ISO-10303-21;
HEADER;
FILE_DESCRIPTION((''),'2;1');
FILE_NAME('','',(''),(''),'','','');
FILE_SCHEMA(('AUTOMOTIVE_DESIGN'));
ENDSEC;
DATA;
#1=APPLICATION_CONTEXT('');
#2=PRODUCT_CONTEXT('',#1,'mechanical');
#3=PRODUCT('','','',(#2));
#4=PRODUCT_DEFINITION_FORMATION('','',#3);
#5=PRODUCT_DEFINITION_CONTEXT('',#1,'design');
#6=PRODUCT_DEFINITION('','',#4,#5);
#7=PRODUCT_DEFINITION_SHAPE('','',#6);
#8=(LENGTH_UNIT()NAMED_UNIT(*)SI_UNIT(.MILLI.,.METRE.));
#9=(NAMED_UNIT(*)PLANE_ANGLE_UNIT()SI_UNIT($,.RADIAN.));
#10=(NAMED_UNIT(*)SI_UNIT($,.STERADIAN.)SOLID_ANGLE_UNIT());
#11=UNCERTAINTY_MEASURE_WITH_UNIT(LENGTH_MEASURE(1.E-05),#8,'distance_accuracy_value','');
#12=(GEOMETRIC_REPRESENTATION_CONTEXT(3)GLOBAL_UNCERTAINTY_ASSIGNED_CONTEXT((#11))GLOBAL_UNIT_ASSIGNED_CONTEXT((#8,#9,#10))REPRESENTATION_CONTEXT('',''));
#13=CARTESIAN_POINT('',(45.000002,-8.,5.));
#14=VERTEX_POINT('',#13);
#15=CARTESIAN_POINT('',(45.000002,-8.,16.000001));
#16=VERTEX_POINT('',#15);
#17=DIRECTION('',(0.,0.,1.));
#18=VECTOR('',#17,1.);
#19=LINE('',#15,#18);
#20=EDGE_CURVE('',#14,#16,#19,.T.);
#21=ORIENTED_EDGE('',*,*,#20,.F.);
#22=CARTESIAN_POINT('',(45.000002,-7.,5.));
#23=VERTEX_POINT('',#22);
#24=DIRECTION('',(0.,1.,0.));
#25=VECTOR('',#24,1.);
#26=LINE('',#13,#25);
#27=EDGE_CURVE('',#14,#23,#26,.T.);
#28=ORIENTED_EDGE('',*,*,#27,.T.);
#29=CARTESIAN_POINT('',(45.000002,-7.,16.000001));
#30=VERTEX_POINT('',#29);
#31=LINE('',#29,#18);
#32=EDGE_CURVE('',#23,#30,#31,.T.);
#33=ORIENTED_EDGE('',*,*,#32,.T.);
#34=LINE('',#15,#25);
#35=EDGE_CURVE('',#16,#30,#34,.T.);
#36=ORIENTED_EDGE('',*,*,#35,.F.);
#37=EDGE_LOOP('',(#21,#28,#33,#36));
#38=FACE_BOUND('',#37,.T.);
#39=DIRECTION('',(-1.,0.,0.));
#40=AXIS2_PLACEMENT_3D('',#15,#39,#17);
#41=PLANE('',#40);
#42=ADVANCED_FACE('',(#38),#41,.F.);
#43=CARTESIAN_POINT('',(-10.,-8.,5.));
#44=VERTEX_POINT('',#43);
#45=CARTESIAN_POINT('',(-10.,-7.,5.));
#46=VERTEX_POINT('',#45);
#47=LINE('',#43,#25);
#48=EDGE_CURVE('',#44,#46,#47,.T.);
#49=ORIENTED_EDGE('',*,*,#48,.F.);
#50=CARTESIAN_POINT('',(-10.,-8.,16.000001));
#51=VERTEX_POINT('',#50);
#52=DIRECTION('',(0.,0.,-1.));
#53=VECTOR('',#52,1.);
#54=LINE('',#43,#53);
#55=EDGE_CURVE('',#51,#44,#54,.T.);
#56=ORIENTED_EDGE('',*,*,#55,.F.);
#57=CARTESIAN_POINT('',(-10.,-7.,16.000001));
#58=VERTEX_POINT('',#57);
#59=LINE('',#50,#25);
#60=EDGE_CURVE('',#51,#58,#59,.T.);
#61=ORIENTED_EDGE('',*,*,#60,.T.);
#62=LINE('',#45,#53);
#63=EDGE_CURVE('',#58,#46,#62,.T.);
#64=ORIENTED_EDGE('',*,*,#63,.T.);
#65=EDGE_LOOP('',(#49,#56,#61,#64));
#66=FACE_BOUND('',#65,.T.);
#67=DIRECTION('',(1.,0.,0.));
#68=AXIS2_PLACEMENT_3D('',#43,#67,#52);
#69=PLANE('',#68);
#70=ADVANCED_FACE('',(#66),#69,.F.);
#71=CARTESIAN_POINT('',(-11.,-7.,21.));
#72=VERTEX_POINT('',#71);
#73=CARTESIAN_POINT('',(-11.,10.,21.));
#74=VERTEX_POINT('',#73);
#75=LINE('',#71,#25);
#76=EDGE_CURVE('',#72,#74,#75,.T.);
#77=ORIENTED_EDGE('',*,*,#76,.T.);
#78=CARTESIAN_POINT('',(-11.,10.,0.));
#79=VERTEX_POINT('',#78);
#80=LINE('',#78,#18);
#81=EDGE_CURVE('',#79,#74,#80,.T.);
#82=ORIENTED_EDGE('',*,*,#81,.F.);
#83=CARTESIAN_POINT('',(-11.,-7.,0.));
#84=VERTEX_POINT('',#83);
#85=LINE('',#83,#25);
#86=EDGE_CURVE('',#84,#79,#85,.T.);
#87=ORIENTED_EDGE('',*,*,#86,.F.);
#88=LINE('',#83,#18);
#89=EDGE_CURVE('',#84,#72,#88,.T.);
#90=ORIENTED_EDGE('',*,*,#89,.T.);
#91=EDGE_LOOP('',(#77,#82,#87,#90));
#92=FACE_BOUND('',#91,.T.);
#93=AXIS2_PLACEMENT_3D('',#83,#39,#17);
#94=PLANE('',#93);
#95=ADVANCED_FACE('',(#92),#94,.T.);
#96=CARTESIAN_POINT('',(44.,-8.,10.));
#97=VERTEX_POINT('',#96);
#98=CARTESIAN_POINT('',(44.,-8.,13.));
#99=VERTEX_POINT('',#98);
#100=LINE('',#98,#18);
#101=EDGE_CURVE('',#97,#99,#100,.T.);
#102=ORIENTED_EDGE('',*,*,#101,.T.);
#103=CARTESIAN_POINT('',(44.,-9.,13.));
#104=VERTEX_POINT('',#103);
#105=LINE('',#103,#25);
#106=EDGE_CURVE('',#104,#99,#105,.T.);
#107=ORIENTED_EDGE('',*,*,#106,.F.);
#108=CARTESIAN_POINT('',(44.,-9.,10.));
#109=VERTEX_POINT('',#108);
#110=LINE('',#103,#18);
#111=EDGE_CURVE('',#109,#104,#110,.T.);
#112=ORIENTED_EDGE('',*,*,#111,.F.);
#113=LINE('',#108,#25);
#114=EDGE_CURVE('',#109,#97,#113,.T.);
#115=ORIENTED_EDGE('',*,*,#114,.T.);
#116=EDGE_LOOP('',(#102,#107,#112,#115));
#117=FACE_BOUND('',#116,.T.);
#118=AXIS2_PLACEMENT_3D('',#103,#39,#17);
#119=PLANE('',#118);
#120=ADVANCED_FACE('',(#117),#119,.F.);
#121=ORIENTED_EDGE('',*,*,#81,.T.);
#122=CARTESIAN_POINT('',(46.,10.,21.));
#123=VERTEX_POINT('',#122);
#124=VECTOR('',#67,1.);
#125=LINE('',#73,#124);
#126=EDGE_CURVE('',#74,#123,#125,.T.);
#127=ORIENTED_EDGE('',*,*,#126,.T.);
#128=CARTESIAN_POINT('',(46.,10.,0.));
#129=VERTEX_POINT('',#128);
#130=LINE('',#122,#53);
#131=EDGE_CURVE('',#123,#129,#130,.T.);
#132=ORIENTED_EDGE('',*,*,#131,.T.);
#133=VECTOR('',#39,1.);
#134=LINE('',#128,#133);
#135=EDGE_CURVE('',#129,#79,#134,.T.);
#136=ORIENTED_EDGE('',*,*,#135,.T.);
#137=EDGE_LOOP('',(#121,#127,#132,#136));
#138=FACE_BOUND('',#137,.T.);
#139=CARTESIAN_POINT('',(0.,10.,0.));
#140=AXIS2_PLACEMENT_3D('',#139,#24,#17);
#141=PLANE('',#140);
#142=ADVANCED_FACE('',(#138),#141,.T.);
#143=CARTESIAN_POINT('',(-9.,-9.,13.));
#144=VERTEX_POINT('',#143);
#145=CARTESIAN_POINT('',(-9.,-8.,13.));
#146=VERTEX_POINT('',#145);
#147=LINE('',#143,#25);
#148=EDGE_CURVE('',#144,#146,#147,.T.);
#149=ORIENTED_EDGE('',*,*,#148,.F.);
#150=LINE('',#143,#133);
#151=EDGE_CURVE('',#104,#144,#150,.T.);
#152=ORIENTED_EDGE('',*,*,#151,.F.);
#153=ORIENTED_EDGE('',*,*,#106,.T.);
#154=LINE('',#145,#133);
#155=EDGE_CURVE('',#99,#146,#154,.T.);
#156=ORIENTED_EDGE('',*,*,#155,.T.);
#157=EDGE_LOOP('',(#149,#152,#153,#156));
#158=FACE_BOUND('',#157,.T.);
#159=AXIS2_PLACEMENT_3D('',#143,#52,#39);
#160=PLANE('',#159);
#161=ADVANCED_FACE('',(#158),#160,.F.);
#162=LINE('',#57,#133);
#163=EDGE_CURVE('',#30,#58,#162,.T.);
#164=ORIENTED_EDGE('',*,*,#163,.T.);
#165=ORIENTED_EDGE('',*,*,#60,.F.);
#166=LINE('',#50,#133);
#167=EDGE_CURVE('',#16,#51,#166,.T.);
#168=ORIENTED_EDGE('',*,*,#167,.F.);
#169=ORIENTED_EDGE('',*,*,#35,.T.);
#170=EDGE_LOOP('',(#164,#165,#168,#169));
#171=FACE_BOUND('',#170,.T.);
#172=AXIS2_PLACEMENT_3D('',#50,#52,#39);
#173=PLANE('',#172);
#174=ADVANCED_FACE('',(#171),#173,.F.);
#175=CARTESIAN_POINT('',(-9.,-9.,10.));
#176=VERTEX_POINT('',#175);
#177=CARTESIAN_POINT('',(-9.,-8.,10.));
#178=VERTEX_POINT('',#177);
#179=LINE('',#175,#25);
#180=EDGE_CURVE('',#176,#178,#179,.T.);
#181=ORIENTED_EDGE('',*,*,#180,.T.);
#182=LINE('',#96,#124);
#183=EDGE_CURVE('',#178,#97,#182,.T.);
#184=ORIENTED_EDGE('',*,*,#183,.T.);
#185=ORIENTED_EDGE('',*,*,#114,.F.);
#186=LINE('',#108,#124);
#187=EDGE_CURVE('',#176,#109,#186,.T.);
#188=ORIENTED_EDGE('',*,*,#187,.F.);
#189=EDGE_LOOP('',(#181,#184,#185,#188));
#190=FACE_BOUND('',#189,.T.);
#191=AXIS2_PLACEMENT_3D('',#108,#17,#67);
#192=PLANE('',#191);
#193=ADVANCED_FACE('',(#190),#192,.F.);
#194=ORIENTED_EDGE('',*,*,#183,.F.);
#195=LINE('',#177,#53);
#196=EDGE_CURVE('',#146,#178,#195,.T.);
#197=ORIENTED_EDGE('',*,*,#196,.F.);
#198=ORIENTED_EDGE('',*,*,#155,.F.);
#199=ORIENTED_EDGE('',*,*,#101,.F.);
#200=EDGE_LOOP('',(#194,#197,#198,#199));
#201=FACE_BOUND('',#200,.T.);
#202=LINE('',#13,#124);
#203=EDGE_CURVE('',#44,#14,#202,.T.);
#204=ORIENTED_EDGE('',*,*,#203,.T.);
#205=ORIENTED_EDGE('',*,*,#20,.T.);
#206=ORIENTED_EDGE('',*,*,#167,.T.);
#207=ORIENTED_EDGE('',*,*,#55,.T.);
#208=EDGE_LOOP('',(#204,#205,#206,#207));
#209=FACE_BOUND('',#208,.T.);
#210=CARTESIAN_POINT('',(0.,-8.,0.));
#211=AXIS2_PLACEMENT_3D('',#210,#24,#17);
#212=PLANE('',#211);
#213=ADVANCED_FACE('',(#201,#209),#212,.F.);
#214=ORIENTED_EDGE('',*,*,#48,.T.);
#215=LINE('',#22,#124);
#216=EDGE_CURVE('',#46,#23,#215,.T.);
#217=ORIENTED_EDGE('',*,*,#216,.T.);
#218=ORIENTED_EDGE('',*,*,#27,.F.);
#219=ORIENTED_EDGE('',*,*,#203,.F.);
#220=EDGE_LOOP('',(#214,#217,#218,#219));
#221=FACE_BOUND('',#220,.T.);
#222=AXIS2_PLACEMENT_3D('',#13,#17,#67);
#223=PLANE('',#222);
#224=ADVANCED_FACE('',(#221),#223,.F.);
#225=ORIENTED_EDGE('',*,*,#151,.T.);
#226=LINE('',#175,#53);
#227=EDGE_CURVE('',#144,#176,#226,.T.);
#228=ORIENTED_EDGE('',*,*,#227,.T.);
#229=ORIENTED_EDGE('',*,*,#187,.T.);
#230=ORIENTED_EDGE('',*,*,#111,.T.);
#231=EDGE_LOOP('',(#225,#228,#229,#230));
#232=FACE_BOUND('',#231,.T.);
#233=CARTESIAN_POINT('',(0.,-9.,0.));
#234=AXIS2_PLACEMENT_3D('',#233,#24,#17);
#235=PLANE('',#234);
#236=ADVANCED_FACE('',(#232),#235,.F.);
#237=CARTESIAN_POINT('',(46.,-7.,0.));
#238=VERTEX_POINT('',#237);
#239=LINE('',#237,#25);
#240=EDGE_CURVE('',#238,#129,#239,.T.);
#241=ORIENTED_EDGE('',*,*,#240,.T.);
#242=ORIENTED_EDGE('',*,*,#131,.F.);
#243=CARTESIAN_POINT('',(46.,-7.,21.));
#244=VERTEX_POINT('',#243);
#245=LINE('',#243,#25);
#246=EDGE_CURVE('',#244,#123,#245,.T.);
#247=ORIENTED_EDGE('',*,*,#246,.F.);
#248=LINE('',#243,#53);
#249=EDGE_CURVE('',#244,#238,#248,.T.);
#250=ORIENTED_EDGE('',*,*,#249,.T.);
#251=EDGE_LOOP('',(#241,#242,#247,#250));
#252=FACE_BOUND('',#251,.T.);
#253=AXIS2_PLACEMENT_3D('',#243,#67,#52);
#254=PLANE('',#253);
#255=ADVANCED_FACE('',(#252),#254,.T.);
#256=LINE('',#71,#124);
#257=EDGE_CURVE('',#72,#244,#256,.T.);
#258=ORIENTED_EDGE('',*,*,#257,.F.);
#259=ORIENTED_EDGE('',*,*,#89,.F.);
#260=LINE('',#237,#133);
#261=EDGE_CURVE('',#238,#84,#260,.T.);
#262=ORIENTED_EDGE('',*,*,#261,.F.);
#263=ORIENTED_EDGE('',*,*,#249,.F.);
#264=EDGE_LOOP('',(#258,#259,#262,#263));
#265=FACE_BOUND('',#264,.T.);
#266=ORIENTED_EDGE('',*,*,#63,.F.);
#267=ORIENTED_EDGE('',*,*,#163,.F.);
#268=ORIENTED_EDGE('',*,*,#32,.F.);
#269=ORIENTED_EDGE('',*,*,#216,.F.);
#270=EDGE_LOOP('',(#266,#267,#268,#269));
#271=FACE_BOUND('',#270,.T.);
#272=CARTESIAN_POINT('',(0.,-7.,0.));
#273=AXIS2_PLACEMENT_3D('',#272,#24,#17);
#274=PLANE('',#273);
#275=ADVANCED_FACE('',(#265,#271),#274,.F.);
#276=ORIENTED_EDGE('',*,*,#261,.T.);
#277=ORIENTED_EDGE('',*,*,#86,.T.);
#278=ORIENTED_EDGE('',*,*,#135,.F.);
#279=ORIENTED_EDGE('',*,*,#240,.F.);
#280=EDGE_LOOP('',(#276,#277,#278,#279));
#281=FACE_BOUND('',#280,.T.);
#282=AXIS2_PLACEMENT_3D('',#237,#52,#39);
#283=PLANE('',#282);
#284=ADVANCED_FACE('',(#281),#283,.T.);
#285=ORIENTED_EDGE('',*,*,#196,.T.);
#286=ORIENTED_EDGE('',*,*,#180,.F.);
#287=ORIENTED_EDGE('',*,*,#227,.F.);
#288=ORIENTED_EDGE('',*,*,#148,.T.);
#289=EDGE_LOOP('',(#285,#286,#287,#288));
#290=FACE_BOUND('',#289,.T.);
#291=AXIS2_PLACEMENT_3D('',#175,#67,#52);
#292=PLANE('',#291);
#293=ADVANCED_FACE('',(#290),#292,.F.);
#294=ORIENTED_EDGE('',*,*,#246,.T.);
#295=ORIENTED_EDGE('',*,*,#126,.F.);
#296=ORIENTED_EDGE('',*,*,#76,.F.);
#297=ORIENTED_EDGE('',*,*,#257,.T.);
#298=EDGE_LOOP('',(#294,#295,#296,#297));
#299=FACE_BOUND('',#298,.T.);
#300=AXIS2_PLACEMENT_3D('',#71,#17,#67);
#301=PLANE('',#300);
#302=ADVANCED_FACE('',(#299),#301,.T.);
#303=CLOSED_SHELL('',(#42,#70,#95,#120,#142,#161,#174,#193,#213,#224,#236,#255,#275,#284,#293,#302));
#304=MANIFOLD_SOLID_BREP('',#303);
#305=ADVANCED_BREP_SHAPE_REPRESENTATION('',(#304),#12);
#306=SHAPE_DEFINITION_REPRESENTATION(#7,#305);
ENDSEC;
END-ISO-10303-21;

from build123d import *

# Parameters (mm, degrees)
CROQUIS1_W              = 57.000000029
CROQUIS1_H              = 20.999999717
SALIENTE_EXTRUIR1_DEPTH = 16.999999993
CROQUIS2_W              = 55.000001564
CROQUIS2_H              = 11.000000872
SALIENTE_EXTRUIR2_DEPTH = 1.000000164
CROQUIS3_W              = 52.999999375
CROQUIS3_H              = 3.000000492
SALIENTE_EXTRUIR3_DEPTH = 0.999999233


with BuildPart() as part:
    # Croquis1 → Saliente-Extruir1 (new body)
    with BuildSketch(Plane(origin=(0, 9.999999776, 0), x_dir=(1, 0, 0), z_dir=(0, 1, 0))):
        with Locations((17.500000075, -10.499999859)):
            Rectangle(CROQUIS1_W, CROQUIS1_H)
    extrude(amount=-SALIENTE_EXTRUIR1_DEPTH)

    # Croquis2 → Saliente-Extruir2 (add)
    with BuildSketch(Plane.XZ.offset(7.000000216)):
        with Locations((17.500001006, 10.500000324)):
            Rectangle(CROQUIS2_W, CROQUIS2_H)
    extrude(amount=SALIENTE_EXTRUIR2_DEPTH)

    # Croquis3 → Saliente-Extruir3 (add)
    with BuildSketch(Plane.XZ.offset(8.00000038)):
        with Locations((17.500000075, 11.500000022)):
            Rectangle(CROQUIS3_W, CROQUIS3_H)
    extrude(amount=SALIENTE_EXTRUIR3_DEPTH)


solid = part.part
